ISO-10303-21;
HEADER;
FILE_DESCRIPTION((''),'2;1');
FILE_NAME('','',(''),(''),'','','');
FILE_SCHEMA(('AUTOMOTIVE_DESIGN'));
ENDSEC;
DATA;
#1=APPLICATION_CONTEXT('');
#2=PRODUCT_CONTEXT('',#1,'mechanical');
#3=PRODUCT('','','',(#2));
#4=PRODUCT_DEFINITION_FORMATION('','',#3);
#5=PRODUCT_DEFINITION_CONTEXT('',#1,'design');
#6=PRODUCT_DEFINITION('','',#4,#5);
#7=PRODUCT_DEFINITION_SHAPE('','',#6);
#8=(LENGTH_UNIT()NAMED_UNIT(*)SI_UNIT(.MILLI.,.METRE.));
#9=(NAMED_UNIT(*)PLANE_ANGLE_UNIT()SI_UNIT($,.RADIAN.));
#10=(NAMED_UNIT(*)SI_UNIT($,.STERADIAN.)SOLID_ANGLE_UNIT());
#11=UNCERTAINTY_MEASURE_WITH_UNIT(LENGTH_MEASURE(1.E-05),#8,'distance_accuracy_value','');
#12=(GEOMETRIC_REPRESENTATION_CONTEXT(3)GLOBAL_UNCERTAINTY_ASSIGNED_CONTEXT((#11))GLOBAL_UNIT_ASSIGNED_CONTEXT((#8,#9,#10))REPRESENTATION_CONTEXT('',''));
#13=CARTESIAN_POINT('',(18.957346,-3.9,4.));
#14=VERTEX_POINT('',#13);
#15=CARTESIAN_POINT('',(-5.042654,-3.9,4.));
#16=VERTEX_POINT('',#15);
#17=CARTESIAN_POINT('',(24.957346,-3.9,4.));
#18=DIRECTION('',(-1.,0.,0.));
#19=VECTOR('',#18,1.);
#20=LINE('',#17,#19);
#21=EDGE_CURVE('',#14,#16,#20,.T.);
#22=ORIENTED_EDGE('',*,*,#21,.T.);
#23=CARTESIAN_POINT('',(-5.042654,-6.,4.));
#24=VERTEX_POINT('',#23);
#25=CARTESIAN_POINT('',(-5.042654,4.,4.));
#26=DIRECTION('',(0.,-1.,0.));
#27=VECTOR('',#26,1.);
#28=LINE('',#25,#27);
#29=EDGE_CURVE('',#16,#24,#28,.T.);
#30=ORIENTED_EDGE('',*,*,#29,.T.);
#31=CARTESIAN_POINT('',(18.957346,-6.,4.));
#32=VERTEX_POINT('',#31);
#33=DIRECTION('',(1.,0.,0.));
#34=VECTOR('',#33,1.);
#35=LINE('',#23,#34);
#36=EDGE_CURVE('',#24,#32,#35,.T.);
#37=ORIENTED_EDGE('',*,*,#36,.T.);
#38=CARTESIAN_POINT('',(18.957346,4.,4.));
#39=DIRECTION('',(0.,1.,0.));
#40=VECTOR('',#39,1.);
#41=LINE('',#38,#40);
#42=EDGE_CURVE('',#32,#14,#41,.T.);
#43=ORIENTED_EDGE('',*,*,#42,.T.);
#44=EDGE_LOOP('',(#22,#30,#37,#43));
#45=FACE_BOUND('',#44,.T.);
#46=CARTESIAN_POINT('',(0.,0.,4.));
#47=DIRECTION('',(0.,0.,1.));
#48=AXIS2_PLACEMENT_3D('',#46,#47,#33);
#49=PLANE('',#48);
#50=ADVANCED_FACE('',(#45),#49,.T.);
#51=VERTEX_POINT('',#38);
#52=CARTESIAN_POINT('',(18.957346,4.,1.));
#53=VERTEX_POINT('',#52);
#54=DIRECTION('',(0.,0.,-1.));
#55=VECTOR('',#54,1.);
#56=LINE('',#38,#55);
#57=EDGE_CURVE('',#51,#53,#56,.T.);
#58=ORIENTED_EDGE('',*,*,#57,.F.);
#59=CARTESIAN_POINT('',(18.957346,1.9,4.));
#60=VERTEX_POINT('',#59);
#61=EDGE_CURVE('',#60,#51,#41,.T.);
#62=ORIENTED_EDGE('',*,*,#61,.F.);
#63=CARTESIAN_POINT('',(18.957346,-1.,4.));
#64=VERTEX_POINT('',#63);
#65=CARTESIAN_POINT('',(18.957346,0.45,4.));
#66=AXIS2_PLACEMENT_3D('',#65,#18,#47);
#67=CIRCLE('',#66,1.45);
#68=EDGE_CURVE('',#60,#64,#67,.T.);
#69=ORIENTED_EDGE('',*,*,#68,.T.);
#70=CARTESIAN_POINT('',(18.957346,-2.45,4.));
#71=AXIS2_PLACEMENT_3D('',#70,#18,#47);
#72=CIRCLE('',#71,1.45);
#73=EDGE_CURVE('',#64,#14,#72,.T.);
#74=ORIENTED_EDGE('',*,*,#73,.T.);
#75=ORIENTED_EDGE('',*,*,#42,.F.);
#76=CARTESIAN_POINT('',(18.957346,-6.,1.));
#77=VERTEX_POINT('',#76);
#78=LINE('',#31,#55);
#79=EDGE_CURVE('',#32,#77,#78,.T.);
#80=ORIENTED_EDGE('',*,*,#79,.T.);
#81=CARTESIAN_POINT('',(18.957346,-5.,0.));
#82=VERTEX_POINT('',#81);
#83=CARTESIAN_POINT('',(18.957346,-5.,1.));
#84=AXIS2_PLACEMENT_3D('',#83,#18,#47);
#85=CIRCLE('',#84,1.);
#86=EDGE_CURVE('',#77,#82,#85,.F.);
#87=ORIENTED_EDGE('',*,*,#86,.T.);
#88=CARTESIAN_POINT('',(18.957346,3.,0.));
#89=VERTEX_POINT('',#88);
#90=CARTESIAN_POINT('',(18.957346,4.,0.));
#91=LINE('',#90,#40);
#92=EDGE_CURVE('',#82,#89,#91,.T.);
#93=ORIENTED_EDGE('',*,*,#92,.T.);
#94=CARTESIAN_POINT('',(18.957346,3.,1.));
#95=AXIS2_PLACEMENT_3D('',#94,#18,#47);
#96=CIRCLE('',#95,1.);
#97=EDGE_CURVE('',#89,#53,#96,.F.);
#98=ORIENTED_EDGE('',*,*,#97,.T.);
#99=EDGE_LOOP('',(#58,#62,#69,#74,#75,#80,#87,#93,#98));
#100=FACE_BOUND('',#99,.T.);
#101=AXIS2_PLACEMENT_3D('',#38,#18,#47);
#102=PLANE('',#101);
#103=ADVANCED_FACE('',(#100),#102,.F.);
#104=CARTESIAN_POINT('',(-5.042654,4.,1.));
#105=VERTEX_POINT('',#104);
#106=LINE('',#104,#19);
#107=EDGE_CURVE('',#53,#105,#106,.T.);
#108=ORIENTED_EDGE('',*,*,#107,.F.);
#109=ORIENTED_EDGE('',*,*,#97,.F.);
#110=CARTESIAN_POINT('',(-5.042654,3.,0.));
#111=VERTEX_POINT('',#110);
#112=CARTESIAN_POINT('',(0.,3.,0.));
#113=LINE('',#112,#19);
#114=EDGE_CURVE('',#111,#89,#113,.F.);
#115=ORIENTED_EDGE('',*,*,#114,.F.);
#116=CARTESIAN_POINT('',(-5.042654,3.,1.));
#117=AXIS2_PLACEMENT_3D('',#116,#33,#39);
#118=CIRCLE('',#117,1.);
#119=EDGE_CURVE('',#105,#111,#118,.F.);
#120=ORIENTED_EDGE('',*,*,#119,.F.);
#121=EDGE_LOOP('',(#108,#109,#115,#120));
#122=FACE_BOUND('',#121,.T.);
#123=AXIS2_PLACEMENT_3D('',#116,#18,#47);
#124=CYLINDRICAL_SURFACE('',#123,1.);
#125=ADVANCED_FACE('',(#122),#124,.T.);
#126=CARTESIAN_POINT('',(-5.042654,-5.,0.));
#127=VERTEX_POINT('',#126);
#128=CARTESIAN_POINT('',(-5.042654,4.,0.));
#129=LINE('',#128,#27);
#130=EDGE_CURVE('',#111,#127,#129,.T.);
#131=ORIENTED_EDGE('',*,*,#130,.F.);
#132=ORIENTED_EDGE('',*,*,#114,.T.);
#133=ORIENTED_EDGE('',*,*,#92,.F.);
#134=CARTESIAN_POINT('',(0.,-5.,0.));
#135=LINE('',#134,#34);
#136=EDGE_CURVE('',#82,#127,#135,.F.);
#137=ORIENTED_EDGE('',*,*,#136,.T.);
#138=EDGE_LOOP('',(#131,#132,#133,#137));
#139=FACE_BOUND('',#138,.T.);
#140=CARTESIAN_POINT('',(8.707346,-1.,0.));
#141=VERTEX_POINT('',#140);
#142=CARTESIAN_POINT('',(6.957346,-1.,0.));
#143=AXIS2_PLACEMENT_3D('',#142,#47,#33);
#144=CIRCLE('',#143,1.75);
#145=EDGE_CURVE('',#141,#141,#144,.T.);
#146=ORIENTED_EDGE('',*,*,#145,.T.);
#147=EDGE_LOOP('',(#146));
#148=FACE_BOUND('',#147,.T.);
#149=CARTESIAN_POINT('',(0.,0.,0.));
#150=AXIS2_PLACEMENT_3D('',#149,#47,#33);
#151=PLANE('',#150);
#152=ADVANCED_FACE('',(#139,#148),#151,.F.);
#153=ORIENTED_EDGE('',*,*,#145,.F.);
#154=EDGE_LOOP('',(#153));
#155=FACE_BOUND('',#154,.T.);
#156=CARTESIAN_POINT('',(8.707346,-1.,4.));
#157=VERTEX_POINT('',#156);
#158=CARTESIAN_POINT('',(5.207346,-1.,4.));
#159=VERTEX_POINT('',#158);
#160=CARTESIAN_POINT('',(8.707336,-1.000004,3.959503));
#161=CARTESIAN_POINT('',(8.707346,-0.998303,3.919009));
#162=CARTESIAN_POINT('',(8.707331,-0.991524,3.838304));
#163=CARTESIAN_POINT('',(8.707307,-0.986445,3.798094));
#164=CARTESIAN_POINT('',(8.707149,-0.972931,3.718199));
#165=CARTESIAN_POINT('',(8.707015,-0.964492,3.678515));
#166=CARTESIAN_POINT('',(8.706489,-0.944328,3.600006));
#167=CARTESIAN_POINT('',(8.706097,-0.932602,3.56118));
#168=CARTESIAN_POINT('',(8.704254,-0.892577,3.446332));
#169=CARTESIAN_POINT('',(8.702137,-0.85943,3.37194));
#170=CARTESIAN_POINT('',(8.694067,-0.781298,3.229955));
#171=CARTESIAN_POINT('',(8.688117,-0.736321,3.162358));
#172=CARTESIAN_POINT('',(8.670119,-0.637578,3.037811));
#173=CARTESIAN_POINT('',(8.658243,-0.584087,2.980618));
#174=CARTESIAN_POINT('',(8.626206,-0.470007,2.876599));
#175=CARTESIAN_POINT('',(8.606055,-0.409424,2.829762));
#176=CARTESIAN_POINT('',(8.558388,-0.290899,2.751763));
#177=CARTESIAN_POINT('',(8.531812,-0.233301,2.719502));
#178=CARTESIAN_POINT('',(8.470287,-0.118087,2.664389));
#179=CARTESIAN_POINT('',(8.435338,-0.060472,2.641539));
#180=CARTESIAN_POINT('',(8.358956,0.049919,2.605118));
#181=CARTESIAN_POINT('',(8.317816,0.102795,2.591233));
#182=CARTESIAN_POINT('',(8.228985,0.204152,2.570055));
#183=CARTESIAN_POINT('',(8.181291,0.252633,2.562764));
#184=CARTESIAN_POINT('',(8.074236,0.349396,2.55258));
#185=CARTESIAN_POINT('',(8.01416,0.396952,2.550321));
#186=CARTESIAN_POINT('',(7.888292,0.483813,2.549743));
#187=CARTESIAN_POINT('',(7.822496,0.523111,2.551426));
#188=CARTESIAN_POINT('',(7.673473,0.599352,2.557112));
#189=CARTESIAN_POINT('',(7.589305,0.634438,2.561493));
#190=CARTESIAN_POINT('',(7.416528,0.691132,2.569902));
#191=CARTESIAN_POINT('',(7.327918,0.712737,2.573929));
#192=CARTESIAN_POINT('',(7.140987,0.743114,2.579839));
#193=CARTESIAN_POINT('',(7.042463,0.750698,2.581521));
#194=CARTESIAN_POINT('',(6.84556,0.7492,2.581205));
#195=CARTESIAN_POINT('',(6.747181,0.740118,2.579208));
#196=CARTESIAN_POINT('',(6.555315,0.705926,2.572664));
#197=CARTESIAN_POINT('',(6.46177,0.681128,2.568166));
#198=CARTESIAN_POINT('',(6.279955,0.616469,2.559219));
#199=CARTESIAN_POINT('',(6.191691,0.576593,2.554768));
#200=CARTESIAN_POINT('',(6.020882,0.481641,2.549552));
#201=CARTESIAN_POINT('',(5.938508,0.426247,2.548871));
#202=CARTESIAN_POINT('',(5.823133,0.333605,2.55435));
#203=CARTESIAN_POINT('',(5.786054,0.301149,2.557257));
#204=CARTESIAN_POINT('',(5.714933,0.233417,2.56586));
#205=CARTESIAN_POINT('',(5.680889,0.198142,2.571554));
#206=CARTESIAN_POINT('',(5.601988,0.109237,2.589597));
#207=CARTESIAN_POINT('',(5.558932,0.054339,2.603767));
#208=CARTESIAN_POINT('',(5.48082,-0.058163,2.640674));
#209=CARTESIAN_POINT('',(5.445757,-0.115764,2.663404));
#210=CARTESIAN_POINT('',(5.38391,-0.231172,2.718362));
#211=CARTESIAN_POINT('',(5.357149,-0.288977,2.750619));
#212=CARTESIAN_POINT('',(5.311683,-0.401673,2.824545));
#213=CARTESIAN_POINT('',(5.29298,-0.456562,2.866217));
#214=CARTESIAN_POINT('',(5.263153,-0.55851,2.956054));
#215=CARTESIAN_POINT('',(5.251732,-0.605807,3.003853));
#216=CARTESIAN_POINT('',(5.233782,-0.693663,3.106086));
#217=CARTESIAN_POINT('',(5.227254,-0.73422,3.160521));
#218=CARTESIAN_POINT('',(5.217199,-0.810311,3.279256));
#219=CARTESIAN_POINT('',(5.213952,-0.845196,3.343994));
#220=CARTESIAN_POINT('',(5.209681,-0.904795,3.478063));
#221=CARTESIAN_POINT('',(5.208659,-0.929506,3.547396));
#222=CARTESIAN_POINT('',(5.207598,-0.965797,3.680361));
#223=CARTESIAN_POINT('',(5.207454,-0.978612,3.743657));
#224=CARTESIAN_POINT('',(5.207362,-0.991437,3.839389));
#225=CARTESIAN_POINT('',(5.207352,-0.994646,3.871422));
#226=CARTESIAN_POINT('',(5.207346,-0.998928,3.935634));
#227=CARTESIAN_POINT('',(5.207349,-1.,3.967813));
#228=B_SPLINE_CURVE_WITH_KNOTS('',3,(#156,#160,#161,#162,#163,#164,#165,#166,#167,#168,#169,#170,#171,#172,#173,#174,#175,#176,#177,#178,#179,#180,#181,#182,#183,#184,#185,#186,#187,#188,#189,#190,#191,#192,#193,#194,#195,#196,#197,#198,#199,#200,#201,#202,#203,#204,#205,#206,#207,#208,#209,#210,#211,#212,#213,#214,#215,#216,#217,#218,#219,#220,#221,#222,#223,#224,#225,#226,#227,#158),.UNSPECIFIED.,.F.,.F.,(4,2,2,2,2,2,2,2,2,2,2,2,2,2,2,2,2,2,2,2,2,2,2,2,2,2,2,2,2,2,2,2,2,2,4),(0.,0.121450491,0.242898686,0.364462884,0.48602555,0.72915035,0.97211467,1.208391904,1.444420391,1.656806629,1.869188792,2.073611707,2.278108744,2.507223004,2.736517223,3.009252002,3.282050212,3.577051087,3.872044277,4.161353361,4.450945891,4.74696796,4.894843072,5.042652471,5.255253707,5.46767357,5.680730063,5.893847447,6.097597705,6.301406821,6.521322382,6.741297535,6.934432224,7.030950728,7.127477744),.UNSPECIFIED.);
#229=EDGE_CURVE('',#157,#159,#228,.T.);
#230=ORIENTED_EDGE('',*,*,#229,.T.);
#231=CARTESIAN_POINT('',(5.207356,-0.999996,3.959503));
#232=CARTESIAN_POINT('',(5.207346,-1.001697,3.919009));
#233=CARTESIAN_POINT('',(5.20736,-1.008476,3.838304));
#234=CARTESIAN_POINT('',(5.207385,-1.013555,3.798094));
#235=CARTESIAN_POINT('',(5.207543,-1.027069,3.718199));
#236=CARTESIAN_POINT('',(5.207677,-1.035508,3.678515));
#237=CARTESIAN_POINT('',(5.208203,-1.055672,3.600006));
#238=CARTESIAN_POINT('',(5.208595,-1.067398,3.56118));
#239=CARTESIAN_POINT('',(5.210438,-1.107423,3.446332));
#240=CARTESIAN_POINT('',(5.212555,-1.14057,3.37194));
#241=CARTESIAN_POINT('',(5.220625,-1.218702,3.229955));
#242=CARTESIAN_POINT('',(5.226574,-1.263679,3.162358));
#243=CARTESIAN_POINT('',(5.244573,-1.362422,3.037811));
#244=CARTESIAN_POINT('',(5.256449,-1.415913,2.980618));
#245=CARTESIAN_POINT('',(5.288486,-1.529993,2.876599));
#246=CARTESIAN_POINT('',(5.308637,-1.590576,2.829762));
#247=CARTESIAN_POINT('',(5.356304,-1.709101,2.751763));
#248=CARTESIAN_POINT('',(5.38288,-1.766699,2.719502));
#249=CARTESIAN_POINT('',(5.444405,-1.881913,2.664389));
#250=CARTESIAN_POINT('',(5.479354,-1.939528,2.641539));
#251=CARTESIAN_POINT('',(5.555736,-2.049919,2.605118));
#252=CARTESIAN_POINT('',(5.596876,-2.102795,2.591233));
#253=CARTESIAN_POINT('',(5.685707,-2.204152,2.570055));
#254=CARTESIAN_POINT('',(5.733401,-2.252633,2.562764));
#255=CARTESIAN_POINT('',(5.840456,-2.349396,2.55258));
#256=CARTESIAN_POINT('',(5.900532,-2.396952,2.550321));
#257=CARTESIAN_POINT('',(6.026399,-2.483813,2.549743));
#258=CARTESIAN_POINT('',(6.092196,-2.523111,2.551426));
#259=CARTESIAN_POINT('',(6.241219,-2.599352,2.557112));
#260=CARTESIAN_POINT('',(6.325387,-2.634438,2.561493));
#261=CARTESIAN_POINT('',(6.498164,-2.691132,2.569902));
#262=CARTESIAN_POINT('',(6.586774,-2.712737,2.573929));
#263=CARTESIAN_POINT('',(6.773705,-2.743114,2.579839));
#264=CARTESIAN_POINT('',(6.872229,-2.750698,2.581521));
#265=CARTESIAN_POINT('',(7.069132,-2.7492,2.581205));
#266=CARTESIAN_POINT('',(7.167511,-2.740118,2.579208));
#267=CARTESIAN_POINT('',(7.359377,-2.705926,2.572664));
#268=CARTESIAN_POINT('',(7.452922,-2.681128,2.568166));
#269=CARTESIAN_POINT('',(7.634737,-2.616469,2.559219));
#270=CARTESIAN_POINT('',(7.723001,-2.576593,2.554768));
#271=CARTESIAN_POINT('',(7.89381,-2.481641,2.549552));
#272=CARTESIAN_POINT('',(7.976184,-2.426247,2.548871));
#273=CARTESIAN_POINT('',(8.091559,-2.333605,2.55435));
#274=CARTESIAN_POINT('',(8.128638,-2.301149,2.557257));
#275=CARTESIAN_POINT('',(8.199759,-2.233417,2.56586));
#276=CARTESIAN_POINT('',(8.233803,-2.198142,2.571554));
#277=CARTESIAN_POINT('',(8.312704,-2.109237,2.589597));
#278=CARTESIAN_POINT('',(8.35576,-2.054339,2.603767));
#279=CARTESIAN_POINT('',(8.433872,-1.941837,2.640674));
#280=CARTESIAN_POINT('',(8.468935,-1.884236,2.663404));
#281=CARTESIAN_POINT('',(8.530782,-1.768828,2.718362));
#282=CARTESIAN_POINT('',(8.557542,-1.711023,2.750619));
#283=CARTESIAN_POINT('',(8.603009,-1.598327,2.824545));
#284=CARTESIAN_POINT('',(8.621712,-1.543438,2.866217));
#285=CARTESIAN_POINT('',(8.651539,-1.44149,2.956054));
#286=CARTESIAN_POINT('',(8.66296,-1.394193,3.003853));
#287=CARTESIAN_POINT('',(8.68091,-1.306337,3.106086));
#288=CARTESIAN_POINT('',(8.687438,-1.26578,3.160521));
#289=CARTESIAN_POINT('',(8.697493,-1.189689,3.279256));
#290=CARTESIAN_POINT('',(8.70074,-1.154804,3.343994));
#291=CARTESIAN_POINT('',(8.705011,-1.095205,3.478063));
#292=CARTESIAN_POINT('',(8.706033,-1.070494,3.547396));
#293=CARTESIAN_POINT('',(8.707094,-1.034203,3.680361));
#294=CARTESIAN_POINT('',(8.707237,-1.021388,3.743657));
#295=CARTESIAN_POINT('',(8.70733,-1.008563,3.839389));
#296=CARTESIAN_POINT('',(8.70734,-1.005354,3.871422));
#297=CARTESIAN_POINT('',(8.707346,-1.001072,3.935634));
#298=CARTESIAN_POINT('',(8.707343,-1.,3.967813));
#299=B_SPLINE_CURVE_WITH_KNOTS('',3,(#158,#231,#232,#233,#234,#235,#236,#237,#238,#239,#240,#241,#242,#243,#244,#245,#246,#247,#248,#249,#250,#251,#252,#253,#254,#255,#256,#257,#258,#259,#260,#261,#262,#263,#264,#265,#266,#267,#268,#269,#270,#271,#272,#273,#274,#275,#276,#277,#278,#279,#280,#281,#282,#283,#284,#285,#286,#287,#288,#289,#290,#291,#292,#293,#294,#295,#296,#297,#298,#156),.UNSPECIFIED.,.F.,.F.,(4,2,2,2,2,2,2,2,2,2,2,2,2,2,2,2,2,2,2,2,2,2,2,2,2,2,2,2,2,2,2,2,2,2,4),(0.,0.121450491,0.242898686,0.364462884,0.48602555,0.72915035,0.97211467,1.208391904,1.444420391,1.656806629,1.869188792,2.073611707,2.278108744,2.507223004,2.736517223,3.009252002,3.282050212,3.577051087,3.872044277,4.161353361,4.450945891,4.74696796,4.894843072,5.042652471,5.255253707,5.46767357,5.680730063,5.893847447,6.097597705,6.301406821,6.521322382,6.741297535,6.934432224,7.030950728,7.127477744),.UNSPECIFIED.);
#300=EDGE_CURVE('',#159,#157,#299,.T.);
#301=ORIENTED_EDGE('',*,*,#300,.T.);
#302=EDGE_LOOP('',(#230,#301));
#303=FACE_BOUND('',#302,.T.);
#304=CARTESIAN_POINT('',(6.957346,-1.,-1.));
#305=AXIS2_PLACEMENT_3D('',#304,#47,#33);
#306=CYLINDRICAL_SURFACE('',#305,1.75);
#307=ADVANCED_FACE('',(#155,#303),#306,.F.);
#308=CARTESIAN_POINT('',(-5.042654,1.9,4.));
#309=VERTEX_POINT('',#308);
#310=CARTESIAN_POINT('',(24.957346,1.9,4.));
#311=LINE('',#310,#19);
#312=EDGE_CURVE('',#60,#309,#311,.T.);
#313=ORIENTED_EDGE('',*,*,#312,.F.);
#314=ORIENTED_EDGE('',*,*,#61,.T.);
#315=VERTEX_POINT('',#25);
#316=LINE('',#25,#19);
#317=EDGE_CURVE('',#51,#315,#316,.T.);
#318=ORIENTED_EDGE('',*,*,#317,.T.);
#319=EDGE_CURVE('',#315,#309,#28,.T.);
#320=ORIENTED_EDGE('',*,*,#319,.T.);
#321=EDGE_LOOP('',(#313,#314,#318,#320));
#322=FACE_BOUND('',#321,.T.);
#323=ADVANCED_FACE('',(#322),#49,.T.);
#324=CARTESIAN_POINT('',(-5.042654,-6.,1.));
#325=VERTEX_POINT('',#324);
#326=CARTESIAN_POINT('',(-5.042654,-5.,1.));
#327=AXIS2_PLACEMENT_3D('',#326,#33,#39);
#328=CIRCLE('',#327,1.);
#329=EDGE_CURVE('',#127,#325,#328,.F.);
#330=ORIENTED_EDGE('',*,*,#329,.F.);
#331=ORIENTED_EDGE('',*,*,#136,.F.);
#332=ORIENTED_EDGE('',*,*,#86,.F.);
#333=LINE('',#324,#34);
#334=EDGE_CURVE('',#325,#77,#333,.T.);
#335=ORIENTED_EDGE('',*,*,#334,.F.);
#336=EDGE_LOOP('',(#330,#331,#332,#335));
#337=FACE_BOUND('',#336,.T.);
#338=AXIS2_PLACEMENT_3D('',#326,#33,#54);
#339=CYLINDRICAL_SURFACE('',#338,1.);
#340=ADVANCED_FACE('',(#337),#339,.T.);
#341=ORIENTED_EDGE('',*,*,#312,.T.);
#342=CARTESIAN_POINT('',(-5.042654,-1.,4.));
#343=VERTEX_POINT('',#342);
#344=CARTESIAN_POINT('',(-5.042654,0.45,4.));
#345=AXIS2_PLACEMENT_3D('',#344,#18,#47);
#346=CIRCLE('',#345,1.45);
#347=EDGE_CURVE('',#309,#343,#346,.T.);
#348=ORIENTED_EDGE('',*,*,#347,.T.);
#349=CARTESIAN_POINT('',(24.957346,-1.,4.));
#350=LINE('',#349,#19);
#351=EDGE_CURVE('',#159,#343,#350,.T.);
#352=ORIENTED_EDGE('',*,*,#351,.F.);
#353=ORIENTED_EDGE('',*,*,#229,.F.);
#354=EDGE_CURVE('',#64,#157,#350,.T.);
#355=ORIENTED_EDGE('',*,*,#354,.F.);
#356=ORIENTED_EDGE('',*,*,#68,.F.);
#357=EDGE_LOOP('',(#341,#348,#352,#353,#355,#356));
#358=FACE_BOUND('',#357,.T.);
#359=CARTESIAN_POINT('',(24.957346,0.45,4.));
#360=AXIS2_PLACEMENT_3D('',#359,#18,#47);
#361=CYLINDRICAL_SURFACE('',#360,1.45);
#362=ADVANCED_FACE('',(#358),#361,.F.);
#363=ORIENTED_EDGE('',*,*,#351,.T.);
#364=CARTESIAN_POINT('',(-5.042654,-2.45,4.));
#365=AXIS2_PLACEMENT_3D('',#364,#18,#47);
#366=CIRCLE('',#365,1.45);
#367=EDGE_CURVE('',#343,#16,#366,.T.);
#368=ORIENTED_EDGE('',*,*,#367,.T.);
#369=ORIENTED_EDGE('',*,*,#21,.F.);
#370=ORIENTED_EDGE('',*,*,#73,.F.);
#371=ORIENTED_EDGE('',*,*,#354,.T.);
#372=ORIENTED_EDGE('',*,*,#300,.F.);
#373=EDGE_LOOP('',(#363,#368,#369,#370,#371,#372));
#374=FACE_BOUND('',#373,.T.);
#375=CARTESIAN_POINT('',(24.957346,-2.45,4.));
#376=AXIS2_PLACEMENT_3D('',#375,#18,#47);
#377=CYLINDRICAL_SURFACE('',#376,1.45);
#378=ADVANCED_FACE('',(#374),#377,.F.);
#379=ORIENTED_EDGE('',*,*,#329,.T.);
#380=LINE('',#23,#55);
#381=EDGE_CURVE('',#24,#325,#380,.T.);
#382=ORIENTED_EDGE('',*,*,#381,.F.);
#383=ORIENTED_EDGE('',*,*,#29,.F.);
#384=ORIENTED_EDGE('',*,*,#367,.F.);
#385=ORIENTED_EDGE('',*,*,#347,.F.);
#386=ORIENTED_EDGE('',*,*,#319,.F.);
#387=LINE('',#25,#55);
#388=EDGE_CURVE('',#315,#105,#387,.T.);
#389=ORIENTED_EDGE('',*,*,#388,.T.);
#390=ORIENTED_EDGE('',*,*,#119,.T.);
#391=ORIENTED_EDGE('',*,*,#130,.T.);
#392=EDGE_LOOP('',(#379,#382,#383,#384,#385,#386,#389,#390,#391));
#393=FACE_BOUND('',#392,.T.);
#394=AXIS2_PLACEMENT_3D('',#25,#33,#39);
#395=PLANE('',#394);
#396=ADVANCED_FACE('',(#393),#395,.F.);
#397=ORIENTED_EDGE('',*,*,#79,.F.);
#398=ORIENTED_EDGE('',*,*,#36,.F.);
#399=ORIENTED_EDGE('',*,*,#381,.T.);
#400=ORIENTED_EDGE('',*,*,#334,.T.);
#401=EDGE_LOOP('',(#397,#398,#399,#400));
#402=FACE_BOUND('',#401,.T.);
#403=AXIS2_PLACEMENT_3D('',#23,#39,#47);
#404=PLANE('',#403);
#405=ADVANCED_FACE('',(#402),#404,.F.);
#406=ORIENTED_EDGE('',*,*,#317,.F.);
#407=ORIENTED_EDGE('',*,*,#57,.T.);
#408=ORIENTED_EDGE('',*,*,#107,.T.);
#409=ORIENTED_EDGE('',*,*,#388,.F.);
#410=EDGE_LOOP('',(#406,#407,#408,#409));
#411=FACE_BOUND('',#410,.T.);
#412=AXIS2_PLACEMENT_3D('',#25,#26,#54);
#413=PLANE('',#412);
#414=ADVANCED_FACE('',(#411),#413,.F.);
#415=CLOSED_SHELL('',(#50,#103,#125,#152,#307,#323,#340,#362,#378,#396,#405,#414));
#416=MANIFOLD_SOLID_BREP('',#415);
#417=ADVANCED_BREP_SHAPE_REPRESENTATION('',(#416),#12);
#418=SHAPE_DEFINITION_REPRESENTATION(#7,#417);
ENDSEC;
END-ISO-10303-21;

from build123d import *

# Parameters (mm, degrees)
SKETCH2_W           = 24
SKETCH2_H           = 10
BOSS_EXTRUDE1_DEPTH = 4
SKETCH3_R           = 1.75
CUT_EXTRUDE1_DEPTH  = 5
FILLET1_R           = 1
CUT_EXTRUDE2_DEPTH  = 30


with BuildPart() as part:
    # Sketch2 → Boss-Extrude1 (new body)
    with BuildSketch(Plane.XY):
        with Locations((6.957345972, -1)):
            Rectangle(SKETCH2_W, SKETCH2_H)
    extrude(amount=BOSS_EXTRUDE1_DEPTH)

    # Sketch3 → Cut-Extrude1 (cut)
    with BuildSketch(Plane.XY.offset(4)):
        with Locations((6.957345972, -1)):
            Circle(SKETCH3_R)
    extrude(amount=-CUT_EXTRUDE1_DEPTH, mode=Mode.SUBTRACT)

    # Fillet1
    fillet1_edges = [part.edges().sort_by_distance(p)[0] for p in [
        (6.957345972, 4, 0),
        (6.957345972, -6, 0),
    ]]
    fillet(fillet1_edges, radius=FILLET1_R)

    # Sketch4 → Cut-Extrude2 (cut)
    with BuildSketch(Plane.ZY.offset(5.042654028)):
        with BuildLine():
            ThreePointArc((4, -3.9), (5.025304833, -3.475304833), (5.45, -2.45))
            ThreePointArc((5.45, -2.45), (5.025304832, -1.424695167), (3.999999998, -1))
            Line((4, -1), (4, -3.9))
        make_face()
        with BuildLine():
            Line((4, -3.9), (4, -1))
            ThreePointArc((3.999999998, -1), (2.55, -2.450000001), (4, -3.9))
        make_face()
        with BuildLine():
            ThreePointArc((4, 1.9), (2.55, 0.450000001), (3.999999998, -1))
            Line((4, -1), (4, 1.9))
        make_face()
        with BuildLine():
            Line((4, 1.9), (4, -1))
            ThreePointArc((3.999999998, -1), (5.025304832, -0.575304833), (5.45, 0.45))
            ThreePointArc((5.45, 0.45), (5.025304833, 1.475304833), (4, 1.9))
        make_face()
    extrude(amount=-CUT_EXTRUDE2_DEPTH, mode=Mode.SUBTRACT)


solid = part.part
